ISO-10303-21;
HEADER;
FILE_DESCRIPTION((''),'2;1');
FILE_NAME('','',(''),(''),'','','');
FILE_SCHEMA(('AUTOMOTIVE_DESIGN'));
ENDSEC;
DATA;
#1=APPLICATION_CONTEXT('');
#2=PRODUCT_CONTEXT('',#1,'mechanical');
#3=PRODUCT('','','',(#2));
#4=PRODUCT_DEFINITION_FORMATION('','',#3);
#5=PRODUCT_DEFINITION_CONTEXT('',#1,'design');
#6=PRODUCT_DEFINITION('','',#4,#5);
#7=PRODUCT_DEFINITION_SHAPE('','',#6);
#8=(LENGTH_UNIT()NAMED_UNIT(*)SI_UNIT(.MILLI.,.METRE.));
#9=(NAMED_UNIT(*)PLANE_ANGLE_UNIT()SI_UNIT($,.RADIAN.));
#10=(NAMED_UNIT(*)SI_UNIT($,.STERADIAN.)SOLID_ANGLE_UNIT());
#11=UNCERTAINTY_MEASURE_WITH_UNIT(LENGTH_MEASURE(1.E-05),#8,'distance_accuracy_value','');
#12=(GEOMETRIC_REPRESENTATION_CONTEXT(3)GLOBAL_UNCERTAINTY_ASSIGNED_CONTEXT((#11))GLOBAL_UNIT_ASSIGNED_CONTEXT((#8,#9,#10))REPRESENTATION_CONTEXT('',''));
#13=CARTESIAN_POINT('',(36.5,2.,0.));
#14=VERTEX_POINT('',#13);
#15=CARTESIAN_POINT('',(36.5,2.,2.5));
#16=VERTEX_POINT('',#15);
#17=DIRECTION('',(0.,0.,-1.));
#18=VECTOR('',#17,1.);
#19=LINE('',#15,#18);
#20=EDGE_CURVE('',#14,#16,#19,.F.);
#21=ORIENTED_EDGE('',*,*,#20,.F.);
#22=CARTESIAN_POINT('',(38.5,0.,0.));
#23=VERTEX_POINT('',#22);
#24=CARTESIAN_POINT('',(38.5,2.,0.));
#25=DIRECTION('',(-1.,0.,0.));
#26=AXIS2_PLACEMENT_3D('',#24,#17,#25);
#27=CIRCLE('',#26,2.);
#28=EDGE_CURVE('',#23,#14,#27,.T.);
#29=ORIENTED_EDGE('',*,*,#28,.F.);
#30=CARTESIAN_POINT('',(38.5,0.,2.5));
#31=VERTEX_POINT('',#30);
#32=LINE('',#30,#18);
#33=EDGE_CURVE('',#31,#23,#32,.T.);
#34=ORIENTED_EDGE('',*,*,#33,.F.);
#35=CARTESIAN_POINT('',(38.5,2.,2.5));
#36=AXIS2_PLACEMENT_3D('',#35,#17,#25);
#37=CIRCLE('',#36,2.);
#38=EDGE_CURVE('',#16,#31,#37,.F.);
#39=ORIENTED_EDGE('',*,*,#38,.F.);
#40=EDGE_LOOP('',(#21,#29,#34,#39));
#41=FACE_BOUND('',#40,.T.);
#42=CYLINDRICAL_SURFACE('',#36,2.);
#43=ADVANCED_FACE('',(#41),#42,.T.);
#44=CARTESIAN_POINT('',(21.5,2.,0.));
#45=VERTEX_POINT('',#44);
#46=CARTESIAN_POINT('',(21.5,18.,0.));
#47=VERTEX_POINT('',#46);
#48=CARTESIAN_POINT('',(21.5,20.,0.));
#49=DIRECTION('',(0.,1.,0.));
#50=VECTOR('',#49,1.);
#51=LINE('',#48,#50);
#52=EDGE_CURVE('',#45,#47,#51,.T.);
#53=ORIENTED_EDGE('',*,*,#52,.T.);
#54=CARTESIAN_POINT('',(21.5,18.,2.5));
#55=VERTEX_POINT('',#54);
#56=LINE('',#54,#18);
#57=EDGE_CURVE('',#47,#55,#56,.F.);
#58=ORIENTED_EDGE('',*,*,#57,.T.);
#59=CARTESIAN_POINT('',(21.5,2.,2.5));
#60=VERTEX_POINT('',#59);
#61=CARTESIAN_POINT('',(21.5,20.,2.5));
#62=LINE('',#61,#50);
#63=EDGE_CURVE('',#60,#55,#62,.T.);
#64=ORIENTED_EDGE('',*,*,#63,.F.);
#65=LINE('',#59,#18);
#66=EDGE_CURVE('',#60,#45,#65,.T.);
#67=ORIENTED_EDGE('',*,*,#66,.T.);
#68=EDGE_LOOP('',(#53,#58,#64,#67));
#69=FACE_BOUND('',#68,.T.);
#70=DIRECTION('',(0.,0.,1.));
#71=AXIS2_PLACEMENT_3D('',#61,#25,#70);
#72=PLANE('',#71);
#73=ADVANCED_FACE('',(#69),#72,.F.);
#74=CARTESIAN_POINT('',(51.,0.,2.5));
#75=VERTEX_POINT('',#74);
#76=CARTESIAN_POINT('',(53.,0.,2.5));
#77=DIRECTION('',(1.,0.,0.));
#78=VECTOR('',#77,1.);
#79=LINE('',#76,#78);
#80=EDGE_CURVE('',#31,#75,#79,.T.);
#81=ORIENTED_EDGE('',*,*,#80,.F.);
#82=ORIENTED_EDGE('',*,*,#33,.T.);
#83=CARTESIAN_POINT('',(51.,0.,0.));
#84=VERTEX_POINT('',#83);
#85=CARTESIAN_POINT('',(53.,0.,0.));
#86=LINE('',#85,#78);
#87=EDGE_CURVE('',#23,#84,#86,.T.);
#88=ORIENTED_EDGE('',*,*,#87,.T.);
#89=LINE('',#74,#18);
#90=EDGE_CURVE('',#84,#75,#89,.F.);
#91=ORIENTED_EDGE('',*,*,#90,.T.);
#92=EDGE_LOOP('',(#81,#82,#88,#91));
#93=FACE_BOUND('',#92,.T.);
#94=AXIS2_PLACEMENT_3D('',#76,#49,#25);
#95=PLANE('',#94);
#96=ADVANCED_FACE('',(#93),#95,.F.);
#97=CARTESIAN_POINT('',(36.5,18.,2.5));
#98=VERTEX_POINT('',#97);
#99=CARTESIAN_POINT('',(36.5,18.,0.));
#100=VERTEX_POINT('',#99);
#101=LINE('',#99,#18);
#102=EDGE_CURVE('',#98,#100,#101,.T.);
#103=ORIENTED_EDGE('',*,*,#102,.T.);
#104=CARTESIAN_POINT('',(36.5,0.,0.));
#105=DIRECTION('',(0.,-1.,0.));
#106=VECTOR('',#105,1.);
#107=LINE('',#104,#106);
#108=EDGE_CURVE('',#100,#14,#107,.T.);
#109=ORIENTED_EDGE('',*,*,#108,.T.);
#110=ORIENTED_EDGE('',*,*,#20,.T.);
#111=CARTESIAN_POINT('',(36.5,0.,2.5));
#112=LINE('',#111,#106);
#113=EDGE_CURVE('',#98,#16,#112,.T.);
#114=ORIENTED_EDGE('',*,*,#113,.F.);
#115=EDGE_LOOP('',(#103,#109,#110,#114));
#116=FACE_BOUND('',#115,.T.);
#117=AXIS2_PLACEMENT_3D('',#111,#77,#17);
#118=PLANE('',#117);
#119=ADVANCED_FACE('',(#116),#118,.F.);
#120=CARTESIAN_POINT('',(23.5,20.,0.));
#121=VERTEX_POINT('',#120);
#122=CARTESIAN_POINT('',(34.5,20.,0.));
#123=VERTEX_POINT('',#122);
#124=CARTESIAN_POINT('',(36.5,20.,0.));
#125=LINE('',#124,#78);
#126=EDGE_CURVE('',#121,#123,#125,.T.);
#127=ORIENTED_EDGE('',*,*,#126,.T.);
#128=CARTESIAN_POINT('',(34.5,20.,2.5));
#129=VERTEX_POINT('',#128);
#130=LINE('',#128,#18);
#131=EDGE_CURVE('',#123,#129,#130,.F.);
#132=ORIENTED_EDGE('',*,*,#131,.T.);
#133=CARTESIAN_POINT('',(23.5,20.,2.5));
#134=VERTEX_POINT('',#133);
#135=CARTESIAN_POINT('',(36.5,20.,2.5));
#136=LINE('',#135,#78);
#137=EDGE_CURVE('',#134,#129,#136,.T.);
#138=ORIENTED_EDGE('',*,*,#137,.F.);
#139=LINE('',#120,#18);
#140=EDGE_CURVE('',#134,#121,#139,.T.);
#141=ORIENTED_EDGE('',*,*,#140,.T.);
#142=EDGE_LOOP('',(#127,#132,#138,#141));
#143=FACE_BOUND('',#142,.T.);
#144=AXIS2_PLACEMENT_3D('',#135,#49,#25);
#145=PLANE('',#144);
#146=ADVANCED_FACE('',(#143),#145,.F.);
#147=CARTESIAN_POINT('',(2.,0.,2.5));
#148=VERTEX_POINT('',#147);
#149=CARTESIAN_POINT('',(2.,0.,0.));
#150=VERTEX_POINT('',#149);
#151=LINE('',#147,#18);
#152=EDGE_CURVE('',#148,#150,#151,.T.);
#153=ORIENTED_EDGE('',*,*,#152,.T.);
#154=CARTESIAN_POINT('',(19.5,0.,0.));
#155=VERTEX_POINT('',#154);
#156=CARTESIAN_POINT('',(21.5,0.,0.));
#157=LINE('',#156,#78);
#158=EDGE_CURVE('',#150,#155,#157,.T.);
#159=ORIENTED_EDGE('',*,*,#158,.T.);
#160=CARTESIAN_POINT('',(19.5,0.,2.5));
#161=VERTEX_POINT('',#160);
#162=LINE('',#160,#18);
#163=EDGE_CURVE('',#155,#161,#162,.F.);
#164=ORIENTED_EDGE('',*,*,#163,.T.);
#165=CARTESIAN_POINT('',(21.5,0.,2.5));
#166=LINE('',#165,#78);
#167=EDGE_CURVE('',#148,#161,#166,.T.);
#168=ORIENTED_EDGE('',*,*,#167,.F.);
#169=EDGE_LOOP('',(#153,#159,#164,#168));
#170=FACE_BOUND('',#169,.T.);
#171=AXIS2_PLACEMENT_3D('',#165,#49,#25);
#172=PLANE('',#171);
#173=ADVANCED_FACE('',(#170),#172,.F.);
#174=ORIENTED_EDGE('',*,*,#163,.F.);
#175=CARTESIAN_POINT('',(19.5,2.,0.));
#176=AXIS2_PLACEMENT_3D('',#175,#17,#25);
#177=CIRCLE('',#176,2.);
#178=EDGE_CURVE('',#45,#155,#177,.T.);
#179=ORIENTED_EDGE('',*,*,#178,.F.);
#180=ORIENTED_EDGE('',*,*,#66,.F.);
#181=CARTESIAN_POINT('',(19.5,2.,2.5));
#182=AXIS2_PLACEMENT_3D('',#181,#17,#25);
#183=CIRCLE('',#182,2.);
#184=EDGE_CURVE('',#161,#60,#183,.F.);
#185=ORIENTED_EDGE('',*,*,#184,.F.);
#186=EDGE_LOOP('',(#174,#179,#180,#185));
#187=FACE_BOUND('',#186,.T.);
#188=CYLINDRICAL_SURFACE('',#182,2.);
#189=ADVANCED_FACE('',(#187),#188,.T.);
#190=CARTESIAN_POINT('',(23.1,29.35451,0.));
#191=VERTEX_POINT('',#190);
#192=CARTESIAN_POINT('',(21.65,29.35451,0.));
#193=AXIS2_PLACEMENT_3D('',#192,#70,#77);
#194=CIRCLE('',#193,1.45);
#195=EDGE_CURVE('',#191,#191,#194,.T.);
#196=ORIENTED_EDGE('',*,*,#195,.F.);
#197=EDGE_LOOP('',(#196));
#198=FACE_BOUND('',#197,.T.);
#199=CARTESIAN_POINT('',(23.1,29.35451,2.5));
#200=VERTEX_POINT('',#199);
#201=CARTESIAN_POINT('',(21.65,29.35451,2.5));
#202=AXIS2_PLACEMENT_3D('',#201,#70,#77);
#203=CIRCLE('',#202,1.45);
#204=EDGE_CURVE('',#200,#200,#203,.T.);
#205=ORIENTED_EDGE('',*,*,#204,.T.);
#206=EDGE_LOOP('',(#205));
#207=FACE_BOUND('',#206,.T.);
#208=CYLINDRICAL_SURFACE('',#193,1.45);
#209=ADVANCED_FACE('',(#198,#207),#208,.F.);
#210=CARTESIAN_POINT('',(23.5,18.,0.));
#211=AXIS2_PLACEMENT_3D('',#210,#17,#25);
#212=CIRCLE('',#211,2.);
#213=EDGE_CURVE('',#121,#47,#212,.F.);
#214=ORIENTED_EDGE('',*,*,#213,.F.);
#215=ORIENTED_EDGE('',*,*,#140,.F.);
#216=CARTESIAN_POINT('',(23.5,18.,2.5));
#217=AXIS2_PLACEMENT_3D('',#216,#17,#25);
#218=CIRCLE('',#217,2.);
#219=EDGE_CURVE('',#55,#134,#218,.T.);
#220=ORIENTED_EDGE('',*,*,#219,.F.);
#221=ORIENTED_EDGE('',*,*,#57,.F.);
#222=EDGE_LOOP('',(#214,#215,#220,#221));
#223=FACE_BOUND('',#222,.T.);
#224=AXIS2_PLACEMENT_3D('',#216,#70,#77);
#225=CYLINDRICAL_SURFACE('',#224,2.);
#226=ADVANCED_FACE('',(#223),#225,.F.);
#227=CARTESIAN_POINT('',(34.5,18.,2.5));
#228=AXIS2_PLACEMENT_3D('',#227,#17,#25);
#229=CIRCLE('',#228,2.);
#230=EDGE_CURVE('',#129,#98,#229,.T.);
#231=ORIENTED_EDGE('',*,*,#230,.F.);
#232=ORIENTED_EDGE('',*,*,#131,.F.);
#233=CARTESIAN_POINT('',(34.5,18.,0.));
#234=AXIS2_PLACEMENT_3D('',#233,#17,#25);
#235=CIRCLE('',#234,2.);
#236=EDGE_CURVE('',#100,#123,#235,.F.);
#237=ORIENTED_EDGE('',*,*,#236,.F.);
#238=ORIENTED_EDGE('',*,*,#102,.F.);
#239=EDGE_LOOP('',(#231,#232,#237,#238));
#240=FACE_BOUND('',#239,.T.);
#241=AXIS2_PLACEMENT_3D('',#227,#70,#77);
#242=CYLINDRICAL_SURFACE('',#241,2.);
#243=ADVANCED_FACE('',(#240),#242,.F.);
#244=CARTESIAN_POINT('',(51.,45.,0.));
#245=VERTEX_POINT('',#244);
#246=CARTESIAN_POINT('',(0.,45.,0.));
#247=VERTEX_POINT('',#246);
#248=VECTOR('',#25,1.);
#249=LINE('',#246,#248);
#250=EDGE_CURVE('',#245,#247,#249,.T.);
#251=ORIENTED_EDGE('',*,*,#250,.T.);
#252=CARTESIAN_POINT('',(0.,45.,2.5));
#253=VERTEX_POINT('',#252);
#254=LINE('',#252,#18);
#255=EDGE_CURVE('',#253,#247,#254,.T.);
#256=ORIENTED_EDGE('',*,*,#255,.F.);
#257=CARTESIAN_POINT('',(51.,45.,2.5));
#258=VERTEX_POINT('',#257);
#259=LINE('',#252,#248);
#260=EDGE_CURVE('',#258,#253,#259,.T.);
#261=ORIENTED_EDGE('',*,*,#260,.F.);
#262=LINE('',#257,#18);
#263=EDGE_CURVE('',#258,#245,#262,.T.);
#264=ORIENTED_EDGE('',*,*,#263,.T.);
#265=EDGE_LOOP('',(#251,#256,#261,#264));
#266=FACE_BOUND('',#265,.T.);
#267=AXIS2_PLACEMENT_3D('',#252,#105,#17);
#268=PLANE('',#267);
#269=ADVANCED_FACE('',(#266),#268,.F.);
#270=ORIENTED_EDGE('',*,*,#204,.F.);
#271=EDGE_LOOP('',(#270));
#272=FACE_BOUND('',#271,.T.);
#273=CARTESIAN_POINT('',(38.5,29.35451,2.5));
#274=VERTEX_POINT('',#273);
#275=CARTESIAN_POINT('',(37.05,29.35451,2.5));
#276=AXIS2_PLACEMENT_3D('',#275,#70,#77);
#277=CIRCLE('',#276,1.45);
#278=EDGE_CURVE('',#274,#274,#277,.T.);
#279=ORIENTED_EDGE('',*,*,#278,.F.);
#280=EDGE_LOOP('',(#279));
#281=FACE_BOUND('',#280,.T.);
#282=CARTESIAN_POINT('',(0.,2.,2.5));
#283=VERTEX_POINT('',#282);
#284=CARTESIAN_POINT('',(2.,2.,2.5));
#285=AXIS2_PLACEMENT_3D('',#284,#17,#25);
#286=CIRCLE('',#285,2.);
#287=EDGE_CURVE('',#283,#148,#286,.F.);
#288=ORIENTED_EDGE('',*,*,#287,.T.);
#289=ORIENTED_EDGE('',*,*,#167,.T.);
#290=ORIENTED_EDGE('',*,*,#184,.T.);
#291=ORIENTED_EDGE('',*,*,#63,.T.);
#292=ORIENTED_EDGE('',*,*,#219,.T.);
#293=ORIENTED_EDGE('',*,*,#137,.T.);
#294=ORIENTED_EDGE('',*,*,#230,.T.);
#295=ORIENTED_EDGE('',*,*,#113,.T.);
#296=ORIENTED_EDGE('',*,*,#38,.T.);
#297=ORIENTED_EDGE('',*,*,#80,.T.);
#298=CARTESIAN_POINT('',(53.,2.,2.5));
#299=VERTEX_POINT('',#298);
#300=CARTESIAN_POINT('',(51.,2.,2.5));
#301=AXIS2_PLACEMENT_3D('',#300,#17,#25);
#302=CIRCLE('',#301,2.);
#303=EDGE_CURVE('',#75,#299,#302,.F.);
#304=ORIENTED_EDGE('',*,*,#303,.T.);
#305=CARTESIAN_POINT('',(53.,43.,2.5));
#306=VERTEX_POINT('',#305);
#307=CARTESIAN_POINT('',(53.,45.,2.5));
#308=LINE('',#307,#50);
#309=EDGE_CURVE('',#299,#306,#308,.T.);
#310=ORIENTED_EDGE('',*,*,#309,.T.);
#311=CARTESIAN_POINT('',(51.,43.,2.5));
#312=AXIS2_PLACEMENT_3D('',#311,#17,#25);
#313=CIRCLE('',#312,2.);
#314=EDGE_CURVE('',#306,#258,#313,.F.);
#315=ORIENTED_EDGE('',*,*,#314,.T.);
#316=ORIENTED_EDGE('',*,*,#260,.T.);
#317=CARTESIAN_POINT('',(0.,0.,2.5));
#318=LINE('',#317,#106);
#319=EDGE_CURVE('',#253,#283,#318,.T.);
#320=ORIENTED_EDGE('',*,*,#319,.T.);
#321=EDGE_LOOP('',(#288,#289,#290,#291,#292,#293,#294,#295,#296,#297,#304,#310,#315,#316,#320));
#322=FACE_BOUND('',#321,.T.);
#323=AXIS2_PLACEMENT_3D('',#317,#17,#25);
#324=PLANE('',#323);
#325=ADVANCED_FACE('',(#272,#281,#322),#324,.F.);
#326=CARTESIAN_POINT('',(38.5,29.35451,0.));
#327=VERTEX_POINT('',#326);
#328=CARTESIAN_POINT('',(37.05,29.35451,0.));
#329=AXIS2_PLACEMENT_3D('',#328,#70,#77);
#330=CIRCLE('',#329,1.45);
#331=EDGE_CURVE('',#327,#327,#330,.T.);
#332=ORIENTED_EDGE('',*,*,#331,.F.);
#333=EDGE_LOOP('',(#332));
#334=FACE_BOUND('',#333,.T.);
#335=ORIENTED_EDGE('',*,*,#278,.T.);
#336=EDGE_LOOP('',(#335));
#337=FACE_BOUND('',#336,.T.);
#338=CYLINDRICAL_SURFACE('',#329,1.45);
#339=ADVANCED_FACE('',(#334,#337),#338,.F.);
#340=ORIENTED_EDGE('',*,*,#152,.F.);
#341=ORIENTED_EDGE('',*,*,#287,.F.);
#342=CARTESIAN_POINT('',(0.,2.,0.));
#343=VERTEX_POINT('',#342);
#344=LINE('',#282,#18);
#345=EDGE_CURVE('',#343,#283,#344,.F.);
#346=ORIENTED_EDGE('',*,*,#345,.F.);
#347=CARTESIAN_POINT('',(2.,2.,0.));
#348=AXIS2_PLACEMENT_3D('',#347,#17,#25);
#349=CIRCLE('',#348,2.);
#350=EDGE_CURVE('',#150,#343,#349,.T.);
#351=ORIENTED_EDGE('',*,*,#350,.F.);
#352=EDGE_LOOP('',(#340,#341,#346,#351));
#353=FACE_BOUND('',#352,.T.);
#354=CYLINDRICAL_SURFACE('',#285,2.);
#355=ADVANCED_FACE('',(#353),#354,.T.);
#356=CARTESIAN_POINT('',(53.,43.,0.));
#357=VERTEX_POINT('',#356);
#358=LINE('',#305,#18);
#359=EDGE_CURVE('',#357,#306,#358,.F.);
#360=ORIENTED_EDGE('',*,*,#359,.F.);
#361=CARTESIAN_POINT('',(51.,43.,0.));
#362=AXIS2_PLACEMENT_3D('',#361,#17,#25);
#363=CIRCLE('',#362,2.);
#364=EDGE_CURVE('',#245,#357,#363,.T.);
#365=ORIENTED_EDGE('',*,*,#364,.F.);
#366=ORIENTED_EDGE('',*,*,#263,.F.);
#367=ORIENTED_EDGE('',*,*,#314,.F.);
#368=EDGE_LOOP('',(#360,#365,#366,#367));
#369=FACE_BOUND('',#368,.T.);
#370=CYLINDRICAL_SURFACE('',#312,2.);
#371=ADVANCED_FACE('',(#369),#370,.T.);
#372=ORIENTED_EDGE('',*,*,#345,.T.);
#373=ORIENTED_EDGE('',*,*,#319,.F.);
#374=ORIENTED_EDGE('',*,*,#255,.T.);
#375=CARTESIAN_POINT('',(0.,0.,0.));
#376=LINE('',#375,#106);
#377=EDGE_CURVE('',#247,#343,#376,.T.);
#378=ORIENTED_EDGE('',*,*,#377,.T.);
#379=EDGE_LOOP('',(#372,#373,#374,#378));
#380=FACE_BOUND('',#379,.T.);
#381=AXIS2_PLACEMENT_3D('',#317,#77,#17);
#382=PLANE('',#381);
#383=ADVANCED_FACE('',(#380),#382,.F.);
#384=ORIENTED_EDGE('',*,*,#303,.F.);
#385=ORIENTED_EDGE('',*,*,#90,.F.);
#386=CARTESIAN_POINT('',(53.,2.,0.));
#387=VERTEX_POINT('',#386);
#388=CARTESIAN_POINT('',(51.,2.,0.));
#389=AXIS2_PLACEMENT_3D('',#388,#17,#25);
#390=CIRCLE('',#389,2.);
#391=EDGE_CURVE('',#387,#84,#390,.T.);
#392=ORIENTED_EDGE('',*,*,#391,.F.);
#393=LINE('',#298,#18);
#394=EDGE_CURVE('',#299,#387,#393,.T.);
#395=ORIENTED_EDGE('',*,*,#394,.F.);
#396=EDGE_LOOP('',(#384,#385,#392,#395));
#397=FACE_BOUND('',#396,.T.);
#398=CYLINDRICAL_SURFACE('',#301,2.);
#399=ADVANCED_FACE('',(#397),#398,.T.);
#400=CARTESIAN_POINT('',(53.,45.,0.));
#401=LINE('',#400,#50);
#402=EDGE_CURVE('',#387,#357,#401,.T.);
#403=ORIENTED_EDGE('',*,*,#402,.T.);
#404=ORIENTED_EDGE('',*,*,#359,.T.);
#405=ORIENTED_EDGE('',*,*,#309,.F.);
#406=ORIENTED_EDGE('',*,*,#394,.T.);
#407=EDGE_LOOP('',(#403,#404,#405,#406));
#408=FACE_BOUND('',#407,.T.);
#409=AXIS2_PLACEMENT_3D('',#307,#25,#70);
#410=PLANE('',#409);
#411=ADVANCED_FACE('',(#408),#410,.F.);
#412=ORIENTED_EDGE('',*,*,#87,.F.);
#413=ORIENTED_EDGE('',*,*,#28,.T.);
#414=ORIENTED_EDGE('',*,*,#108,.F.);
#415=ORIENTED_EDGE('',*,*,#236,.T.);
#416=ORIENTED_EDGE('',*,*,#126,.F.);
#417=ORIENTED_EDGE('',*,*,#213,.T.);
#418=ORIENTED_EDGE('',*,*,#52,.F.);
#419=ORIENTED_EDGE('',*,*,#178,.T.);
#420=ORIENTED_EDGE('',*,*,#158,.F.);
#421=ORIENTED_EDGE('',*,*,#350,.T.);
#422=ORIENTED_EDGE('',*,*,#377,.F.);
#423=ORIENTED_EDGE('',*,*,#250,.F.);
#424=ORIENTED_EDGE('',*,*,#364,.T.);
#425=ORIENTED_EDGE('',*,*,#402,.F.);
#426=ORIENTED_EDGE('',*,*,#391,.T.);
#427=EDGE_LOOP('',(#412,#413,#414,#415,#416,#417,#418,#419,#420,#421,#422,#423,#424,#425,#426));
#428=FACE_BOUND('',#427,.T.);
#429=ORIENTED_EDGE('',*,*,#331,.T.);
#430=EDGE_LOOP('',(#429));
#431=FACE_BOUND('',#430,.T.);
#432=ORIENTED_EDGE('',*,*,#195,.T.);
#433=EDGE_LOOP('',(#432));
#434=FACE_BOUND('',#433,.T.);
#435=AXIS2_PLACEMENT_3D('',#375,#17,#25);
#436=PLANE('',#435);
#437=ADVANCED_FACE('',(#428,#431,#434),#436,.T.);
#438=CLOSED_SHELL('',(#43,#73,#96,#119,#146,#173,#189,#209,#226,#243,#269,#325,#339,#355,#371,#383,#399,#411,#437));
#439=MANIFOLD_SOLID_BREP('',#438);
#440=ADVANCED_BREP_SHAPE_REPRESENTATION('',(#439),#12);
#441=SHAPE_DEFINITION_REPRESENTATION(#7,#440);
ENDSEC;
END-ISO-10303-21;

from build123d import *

# Parameters (mm, degrees)
SALIENTE_EXTRUIR1_DEPTH = 2.5
CROQUIS2_R              = 1.45
CORTAR_EXTRUIR1_DEPTH   = 2.5
REDONDEO1_R             = 2


with BuildPart() as part:
    # Croquis1 → Saliente-Extruir1 (new body)
    with BuildSketch(Plane.XY):
        Polygon((0, 0), (0, 45), (53, 45), (53, 0), (36.5, 0), (36.5, 20), (21.5, 20), (21.5, 0), align=None)
    extrude(amount=SALIENTE_EXTRUIR1_DEPTH)

    # Croquis2 → Cortar-Extruir1 (cut)
    with BuildSketch(Plane.XY.offset(2.5)):
        with Locations((37.05, 29.354509915)):
            Circle(CROQUIS2_R)
        with Locations((21.65, 29.354509915)):
            Circle(CROQUIS2_R)
    extrude(amount=-CORTAR_EXTRUIR1_DEPTH, mode=Mode.SUBTRACT)

    # Redondeo1
    redondeo1_edges = [part.edges().sort_by_distance(p)[0] for p in [
        (0, 0, 1.25),
        (53, 45, 1.25),
        (53, 0, 1.25),
        (36.5, 0, 1.25),
        (36.5, 20, 1.25),
        (21.5, 20, 1.25),
        (21.5, 0, 1.25),
    ]]
    fillet(redondeo1_edges, radius=REDONDEO1_R)


solid = part.part
